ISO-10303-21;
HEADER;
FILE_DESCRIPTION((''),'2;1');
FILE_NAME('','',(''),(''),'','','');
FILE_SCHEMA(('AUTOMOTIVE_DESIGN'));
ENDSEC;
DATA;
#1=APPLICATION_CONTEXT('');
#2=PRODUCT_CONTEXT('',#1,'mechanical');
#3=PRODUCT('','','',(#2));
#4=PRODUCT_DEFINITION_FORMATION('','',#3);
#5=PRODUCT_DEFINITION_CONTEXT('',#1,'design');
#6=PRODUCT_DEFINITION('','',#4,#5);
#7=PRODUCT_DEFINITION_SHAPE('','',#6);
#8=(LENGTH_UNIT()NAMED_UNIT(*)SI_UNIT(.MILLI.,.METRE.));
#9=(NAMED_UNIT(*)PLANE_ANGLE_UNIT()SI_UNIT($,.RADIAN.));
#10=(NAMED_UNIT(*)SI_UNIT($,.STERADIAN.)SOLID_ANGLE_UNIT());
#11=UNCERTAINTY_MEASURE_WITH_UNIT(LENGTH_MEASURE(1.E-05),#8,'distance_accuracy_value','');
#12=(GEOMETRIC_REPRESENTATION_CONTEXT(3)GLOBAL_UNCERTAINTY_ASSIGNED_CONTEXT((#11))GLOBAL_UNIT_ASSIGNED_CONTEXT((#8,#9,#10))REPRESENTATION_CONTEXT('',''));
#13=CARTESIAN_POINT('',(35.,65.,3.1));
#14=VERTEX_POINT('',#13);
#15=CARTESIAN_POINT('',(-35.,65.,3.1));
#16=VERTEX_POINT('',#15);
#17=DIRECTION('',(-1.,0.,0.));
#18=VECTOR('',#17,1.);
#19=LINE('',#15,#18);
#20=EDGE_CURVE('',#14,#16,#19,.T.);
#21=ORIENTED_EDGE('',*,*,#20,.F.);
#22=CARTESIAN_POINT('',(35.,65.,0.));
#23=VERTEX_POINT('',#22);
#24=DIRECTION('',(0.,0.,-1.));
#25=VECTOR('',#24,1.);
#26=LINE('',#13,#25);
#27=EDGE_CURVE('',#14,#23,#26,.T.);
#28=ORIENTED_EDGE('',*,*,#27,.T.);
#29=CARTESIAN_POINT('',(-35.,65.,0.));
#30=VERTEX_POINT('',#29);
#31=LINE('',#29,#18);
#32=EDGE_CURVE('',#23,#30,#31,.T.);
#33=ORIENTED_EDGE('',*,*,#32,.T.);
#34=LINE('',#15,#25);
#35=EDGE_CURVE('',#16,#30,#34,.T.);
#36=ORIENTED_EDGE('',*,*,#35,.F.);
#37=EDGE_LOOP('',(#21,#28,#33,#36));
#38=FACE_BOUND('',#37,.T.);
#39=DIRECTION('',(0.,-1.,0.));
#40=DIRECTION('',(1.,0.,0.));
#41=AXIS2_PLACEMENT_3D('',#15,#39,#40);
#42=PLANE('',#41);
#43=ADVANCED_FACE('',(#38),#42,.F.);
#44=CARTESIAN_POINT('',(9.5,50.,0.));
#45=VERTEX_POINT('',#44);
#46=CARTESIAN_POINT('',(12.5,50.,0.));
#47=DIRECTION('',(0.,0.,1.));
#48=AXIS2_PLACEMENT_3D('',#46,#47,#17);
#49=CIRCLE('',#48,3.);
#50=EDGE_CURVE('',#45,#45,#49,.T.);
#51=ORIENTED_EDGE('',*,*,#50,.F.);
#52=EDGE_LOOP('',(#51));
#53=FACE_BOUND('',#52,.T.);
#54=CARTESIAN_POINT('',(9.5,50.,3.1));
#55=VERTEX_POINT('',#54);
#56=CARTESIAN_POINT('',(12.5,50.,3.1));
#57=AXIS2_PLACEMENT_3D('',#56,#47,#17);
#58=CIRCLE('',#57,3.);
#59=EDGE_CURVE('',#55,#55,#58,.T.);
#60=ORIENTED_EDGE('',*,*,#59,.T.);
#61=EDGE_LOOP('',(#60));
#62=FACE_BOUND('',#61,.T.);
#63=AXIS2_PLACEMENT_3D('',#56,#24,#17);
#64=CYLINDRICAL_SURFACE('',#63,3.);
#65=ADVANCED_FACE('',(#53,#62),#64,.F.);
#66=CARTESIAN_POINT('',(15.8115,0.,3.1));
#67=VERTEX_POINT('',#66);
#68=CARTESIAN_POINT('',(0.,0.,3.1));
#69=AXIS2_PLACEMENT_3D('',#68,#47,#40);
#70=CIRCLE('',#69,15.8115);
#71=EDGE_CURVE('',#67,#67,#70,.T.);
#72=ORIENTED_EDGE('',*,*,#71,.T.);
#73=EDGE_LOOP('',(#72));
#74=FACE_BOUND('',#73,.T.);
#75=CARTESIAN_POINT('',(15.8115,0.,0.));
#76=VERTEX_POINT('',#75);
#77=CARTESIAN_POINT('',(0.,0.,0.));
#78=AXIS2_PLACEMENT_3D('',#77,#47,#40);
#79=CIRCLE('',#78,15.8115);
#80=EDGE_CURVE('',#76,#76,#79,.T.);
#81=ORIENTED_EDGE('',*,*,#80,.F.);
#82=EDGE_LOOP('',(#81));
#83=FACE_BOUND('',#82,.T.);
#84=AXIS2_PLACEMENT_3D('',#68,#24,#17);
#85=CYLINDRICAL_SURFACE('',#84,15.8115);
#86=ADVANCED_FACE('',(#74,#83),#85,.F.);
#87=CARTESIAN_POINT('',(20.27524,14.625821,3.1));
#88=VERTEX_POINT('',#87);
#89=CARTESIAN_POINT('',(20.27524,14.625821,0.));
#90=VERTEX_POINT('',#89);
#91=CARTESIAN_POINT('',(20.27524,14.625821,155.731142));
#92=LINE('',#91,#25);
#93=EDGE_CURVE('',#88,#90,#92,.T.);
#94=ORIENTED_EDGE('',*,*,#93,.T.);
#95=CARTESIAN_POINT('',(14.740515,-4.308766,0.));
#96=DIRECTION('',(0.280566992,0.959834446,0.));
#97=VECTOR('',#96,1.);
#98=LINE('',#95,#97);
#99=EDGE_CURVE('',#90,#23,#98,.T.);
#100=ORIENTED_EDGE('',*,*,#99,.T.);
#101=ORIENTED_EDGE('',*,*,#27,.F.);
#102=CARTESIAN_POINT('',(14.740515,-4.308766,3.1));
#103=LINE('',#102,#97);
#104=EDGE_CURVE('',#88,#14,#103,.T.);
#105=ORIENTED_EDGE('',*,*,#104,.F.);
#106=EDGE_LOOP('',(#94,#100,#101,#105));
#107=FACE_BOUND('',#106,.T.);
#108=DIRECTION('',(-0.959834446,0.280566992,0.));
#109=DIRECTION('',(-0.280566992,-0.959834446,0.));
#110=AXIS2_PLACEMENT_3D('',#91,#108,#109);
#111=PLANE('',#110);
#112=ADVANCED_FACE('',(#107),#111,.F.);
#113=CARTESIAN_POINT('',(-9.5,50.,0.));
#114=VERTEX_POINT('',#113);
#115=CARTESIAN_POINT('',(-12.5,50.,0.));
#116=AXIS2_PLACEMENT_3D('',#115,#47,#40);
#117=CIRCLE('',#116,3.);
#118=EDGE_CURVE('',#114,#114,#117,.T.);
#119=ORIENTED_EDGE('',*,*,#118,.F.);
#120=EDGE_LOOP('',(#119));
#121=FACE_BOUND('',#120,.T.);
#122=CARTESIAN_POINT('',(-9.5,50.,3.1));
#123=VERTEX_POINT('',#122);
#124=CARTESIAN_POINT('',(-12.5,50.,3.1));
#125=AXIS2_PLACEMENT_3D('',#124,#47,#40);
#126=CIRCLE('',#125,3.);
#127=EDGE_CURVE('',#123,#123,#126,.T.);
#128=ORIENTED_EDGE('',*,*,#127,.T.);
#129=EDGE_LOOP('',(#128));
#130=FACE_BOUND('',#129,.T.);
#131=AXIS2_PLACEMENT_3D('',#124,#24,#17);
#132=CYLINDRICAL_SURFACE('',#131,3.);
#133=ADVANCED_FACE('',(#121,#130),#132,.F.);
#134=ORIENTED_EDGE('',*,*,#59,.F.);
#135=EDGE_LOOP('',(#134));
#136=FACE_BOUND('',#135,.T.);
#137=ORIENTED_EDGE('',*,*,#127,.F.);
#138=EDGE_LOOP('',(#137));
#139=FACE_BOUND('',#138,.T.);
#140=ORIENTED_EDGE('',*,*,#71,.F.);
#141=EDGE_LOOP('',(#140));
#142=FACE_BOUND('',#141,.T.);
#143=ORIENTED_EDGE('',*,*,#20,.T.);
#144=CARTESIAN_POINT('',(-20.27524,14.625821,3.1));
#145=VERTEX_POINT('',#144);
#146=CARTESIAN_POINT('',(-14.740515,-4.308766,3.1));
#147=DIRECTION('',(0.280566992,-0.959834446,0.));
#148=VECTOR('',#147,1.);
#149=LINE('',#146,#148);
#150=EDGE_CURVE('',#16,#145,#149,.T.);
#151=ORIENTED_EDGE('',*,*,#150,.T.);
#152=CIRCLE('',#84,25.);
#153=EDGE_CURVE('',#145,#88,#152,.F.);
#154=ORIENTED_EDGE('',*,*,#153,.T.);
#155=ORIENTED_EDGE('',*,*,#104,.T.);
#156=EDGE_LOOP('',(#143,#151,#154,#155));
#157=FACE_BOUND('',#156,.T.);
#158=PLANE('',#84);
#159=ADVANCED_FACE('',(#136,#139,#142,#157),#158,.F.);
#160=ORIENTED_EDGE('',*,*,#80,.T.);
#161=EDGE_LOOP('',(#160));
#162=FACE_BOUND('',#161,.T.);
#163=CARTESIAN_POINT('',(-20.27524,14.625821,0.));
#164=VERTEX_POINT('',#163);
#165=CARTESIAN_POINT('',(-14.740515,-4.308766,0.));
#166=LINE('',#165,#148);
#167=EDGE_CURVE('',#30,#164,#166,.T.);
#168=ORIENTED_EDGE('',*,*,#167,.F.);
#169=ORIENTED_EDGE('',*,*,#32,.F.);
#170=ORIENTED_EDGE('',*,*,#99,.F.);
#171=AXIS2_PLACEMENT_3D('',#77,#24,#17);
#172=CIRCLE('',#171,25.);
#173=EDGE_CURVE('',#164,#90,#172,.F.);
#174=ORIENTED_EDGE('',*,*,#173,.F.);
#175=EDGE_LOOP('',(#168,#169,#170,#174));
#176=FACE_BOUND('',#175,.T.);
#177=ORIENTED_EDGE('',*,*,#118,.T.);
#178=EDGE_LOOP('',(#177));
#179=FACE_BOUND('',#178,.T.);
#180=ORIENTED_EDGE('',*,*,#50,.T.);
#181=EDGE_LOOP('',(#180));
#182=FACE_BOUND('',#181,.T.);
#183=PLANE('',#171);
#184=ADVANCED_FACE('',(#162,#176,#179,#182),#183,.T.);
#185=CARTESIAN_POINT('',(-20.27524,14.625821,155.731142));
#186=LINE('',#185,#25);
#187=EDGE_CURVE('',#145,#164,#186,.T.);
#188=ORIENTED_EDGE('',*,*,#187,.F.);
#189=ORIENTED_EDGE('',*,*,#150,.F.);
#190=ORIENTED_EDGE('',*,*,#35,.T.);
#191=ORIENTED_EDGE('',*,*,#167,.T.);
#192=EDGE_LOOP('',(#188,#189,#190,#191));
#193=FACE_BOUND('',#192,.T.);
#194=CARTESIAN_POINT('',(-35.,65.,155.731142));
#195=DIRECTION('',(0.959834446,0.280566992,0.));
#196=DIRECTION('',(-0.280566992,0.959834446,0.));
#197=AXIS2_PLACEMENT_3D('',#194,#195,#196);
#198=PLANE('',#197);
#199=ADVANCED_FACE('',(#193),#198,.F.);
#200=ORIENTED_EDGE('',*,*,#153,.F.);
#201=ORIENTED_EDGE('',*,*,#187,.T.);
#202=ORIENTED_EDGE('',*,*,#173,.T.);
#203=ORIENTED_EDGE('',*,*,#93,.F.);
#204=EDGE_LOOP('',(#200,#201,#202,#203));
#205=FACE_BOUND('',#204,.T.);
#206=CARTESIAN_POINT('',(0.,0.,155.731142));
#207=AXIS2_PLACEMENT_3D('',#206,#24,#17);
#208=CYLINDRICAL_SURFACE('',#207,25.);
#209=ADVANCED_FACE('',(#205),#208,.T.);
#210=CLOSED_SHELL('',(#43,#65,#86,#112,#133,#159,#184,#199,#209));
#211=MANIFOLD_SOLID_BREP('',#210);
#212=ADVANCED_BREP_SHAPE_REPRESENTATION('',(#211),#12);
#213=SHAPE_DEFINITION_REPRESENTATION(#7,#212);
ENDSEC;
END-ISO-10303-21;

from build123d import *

# Parameters (mm, degrees)
SKETCH1_W               = 70
SKETCH1_H               = 100
SKETCH1_R               = 15.8115
SKETCH1_R_2             = 3
BOSS_EXTRUDE1_DEPTH     = 3.1
CUT_EXTRUDE1_DEPTH      = 1
CUT_EXTRUDE1_DEPTH_BACK = 4.1


with BuildPart() as part:
    # Sketch1 → Boss-Extrude1 (new body)
    with BuildSketch(Plane.XY):
        with Locations((0, 15)):
            Rectangle(SKETCH1_W, SKETCH1_H)
        Circle(SKETCH1_R, mode=Mode.SUBTRACT)
        with Locations((-12.5, 50)):
            Circle(SKETCH1_R_2, mode=Mode.SUBTRACT)
        with Locations((12.5, 50)):
            Circle(SKETCH1_R_2, mode=Mode.SUBTRACT)
    extrude(amount=BOSS_EXTRUDE1_DEPTH)

    # Sketch2 → Cut-Extrude1 (cut, two sides)
    with BuildSketch(Plane.XY.offset(3.1)) as cut_extrude1_sk:
        with BuildLine():
            Line((-106.300801708, 308.923795317), (-35, 65))
            Line((-35, 65), (-20.275240011, 14.625821089))
            ThreePointArc((-20.275240011, 14.625821089), (0, -25), (20.275240011, 14.625821089))
            Line((20.275240011, 14.625821089), (35, 65))
            Line((35, 65), (106.300801708, 308.923795317))
            Line((106.300801708, 308.923795317), (106.300801708, -199.338429312))
            Line((106.300801708, -199.338429312), (-106.300801708, -199.338429312))
            Line((-106.300801708, -199.338429312), (-106.300801708, 308.923795317))
        make_face()
    extrude(amount=CUT_EXTRUDE1_DEPTH, mode=Mode.SUBTRACT)
    extrude(cut_extrude1_sk.sketch, amount=-CUT_EXTRUDE1_DEPTH_BACK, mode=Mode.SUBTRACT)


solid = part.part
